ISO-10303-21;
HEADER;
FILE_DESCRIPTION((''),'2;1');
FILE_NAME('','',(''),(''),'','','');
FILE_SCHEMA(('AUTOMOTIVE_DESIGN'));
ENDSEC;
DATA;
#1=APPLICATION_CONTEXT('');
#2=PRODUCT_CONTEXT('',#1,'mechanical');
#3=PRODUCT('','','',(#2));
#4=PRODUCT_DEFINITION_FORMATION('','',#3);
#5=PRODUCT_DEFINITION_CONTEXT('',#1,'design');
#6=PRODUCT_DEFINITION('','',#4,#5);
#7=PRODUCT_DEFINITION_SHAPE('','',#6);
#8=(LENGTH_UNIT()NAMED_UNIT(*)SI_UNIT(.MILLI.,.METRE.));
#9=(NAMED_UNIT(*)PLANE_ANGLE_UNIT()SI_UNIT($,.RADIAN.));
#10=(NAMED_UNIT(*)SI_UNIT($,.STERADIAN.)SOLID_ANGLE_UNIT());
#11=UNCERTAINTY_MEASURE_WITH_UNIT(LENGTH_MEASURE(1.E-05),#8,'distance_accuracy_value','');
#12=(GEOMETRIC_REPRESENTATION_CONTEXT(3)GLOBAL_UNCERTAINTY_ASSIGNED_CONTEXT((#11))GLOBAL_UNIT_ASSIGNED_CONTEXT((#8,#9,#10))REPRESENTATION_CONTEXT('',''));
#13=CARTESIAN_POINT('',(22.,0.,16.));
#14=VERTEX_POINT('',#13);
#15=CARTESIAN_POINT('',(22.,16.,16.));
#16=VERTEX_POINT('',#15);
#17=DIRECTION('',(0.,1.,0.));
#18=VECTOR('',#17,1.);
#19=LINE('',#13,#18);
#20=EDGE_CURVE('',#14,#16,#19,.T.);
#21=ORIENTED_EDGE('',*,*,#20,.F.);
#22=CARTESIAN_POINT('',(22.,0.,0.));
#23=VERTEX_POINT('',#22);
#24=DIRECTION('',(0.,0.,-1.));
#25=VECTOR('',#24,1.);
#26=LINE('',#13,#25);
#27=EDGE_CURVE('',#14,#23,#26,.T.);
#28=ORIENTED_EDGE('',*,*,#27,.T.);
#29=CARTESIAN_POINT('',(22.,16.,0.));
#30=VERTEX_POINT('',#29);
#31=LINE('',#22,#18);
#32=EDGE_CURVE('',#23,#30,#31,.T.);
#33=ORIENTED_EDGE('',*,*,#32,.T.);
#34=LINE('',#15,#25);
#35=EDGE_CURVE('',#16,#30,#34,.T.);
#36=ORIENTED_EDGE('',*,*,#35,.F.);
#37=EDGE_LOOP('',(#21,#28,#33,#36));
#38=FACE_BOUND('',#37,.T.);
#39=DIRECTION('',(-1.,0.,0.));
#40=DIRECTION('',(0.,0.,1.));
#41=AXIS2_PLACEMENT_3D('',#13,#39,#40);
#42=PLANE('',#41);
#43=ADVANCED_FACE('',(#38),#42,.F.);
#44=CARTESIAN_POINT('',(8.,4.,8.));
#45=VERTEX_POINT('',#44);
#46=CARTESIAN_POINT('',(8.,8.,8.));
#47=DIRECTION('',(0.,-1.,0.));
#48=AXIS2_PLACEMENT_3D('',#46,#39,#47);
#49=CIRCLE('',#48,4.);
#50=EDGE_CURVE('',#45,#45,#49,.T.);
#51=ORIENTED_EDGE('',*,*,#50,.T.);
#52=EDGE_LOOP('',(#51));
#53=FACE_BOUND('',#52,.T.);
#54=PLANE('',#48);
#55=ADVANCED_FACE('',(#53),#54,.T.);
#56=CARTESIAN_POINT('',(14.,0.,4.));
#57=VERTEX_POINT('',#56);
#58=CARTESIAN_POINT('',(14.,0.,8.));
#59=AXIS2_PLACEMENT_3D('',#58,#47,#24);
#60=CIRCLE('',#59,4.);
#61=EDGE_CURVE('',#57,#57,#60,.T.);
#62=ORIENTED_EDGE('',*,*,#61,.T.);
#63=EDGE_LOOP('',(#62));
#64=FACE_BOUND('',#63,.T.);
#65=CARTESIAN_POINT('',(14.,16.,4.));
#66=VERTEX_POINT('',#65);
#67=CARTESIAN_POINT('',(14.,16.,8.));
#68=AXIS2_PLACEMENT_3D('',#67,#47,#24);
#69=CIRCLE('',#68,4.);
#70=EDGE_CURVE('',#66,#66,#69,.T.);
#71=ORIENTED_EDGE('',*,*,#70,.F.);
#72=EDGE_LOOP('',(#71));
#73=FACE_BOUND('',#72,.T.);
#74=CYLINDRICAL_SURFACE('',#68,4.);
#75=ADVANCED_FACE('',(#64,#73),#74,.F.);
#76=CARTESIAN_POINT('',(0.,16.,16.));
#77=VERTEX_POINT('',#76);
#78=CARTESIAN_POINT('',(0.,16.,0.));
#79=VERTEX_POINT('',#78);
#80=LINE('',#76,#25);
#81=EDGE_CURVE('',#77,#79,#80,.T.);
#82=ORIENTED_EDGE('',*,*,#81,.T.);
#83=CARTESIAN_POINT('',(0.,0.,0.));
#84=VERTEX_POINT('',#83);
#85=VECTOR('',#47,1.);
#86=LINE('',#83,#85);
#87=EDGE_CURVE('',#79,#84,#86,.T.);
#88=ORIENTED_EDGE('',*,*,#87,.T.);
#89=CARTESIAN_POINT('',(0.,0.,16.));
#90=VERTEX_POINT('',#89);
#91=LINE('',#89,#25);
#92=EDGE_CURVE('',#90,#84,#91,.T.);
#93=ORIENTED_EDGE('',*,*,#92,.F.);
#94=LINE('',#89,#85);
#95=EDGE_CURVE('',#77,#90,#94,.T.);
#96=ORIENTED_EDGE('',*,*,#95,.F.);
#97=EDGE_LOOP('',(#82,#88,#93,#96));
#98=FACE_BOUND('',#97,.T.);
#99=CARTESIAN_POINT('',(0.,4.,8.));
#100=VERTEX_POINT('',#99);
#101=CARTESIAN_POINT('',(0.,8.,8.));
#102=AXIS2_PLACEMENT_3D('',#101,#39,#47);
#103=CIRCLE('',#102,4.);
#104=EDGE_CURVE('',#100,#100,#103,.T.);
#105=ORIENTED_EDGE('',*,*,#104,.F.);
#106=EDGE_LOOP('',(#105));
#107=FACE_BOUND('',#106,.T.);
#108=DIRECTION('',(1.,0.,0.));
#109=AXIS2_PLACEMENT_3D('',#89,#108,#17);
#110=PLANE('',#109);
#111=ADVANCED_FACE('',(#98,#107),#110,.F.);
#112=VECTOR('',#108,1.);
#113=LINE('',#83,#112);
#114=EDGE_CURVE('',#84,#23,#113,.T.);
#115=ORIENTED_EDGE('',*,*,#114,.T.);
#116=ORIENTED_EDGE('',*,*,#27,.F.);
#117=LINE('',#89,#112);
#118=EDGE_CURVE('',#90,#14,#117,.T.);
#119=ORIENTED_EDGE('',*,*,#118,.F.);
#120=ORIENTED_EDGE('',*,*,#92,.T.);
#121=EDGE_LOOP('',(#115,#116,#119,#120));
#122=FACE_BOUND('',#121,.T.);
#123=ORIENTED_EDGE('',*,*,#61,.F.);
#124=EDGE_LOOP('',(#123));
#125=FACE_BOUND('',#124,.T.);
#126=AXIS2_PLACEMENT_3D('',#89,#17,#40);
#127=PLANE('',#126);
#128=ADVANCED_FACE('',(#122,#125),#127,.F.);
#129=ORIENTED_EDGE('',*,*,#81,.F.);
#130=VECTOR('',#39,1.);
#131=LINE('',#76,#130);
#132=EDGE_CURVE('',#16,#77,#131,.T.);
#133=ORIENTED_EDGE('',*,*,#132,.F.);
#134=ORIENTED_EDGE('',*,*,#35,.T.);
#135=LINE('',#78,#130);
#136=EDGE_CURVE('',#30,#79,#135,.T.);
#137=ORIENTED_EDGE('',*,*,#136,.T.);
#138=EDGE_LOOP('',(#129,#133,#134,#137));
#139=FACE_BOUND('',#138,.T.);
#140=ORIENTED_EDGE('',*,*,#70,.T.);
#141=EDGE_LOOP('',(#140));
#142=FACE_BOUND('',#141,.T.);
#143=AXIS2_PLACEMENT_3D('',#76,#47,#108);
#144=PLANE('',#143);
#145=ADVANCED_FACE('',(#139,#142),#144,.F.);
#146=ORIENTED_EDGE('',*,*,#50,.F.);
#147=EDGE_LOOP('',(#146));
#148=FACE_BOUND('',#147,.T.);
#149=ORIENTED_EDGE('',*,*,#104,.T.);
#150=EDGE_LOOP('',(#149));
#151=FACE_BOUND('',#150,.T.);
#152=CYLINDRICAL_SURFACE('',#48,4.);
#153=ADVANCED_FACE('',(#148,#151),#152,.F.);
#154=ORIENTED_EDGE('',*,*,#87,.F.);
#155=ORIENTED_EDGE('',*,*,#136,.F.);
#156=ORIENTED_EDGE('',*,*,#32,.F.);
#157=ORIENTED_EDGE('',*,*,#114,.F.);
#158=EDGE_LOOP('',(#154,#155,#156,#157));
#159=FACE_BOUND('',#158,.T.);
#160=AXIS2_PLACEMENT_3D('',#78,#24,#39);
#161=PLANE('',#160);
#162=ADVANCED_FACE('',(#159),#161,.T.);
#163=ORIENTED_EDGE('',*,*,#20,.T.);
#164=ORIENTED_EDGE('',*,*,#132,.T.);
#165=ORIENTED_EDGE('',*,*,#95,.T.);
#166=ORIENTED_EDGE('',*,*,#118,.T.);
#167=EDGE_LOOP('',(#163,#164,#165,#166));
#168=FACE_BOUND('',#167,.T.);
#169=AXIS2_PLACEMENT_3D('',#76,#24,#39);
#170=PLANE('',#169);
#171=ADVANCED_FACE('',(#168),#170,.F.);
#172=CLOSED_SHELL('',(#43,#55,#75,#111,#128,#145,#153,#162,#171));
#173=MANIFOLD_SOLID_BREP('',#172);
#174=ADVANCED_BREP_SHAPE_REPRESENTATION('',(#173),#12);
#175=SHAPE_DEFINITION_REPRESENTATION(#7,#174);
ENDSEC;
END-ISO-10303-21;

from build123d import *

# Parameters (mm, degrees)
SKETCH1_W           = 22
SKETCH1_H           = 16
BOSS_EXTRUDE1_DEPTH = 16
SKETCH2_R           = 4
CUT_EXTRUDE1_DEPTH  = 8
SKETCH3_R           = 4
CUT_EXTRUDE2_DEPTH  = 17


with BuildPart() as part:
    # Sketch1 → Boss-Extrude1 (new body)
    with BuildSketch(Plane.XY):
        with Locations((11, 8)):
            Rectangle(SKETCH1_W, SKETCH1_H)
    extrude(amount=BOSS_EXTRUDE1_DEPTH)

    # Sketch2 → Cut-Extrude1 (cut)
    with BuildSketch(Plane.ZY):
        with Locations(Location((8, 8, 0), (0, 0, 270))):  # turned: the seam where the file's is
            Circle(SKETCH2_R)
    extrude(amount=-CUT_EXTRUDE1_DEPTH, mode=Mode.SUBTRACT)

    # Sketch3 → Cut-Extrude2 (cut, through all)
    with BuildSketch(Plane.XZ):
        with Locations(Location((14, 8, 0), (0, 0, 270))):  # turned: the seam where the file's is
            Circle(SKETCH3_R)
    extrude(amount=-CUT_EXTRUDE2_DEPTH, mode=Mode.SUBTRACT)


solid = part.part
